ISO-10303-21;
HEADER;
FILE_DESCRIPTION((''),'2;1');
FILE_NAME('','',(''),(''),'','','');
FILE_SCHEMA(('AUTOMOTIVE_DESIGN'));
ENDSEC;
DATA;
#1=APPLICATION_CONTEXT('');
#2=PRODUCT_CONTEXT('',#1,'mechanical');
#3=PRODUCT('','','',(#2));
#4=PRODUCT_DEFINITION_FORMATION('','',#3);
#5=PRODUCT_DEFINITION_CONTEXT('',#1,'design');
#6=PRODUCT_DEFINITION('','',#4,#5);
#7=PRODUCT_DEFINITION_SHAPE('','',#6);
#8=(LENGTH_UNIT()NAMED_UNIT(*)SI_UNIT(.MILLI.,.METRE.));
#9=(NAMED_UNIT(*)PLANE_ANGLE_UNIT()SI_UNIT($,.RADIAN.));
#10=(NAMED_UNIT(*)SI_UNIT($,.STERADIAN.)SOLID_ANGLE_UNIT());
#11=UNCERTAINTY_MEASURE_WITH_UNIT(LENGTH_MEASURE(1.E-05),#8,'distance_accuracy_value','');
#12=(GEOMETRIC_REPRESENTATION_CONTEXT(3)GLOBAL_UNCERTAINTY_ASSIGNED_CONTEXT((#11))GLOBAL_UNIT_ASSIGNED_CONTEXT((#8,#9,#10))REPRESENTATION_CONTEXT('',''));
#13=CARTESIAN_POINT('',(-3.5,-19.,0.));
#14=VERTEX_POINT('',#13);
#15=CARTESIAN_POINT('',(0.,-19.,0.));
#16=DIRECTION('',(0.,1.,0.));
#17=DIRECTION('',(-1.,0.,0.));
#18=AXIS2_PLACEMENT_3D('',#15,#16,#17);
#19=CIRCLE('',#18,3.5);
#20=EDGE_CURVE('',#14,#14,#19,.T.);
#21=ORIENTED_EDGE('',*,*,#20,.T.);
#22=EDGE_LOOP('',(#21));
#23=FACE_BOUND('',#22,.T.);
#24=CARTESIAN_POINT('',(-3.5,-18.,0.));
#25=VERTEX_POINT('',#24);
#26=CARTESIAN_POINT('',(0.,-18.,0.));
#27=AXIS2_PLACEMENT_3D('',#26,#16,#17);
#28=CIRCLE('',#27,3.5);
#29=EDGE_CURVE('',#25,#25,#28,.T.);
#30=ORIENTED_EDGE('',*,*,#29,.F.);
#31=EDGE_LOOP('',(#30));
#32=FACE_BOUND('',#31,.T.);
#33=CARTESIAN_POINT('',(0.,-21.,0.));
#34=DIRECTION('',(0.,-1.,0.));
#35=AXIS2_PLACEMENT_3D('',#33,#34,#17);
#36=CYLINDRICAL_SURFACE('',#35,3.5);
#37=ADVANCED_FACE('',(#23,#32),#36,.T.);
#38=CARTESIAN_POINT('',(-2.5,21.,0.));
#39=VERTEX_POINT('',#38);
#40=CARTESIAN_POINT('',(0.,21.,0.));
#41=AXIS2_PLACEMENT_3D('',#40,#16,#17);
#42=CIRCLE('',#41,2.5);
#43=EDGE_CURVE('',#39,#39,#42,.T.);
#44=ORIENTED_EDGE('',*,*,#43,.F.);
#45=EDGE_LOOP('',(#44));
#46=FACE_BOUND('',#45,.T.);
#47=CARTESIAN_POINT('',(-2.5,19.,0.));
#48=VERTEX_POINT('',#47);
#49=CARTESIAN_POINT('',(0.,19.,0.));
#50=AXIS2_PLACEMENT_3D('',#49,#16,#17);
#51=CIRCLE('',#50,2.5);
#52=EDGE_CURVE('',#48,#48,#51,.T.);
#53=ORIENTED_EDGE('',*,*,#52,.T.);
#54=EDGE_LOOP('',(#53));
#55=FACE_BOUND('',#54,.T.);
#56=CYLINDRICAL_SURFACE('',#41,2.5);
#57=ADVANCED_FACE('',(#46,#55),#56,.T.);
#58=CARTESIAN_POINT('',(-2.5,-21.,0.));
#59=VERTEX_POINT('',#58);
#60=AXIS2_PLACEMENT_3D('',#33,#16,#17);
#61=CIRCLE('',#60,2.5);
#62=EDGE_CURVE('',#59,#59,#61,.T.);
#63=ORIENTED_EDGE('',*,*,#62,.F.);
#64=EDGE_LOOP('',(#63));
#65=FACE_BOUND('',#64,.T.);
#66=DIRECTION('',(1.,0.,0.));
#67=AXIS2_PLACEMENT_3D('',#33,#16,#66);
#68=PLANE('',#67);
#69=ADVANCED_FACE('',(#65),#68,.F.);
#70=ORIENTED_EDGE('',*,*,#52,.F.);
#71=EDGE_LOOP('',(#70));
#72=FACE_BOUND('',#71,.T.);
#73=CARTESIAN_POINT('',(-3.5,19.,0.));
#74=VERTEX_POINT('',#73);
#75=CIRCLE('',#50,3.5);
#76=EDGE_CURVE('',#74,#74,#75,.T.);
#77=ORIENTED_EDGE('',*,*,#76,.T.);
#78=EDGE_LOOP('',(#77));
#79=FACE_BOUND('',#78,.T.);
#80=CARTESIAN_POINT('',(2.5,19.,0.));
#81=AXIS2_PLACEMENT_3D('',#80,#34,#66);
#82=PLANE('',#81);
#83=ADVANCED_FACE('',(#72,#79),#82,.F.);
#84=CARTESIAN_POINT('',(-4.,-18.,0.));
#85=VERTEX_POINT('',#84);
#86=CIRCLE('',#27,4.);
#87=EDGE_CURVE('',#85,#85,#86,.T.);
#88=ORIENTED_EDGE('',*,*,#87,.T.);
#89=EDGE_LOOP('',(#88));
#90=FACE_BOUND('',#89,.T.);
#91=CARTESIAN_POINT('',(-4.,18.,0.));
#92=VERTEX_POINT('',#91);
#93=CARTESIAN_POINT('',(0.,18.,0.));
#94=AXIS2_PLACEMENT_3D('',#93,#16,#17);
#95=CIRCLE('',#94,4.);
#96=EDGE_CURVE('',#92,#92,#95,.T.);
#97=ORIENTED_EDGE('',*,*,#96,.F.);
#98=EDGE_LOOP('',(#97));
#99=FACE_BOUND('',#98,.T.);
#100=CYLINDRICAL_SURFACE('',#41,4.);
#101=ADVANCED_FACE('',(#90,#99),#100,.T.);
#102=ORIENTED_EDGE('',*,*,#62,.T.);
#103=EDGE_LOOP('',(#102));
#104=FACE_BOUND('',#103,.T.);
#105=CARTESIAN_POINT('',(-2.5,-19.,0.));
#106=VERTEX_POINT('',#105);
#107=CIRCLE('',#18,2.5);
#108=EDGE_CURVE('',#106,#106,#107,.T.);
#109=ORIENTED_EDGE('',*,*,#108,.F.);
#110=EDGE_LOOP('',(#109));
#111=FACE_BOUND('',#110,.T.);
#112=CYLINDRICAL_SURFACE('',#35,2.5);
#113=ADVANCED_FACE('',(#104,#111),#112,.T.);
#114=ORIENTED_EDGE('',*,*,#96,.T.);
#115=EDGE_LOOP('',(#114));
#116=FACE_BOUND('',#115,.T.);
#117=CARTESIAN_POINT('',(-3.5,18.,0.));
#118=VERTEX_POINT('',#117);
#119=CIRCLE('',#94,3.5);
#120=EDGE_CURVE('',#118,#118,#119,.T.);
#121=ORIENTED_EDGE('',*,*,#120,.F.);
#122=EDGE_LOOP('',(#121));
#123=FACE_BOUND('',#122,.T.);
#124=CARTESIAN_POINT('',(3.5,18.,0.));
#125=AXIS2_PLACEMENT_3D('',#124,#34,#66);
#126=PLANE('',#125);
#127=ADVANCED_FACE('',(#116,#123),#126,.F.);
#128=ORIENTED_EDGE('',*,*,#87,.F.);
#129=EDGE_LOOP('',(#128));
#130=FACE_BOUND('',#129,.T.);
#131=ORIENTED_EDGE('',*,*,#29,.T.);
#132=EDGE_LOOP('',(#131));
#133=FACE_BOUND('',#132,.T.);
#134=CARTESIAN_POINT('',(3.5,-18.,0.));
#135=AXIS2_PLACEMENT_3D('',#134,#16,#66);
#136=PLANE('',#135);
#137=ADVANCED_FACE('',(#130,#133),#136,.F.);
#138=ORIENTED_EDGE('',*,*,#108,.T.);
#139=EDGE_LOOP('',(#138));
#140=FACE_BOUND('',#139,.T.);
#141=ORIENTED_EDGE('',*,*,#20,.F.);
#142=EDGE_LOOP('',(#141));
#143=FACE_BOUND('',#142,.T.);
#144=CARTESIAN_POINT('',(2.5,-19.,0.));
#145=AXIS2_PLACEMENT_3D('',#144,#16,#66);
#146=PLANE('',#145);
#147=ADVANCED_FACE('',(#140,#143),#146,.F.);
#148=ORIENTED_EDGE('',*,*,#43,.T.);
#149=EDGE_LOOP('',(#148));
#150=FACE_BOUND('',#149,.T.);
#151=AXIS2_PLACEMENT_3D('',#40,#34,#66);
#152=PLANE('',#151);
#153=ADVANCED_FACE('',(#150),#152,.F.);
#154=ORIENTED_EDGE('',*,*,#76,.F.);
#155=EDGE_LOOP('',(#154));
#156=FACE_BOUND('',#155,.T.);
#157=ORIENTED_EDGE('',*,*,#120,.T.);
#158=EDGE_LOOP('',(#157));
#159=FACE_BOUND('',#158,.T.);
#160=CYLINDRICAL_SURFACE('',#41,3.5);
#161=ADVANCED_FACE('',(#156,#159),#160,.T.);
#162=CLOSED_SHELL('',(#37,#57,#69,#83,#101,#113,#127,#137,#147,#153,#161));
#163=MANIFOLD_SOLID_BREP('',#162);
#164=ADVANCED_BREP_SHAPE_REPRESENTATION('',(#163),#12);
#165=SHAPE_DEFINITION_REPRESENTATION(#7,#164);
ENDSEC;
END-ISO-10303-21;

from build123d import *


with BuildPart() as part:
    # Sketch1 → Revolve1 (revolve)
    with BuildSketch(Plane.XY):
        Polygon((0, 21), (0, 0), (4, 0), (4, 18), (3.5, 18), (3.5, 19), (2.5, 19), (2.5, 21), align=None)
    revolve1 = revolve(axis=Axis((0, 21, 0), (0, -1, 0)))

    # Mirror1: Revolve1 across plane
    add(revolve1.mirror(Plane.ZX))


solid = part.part
